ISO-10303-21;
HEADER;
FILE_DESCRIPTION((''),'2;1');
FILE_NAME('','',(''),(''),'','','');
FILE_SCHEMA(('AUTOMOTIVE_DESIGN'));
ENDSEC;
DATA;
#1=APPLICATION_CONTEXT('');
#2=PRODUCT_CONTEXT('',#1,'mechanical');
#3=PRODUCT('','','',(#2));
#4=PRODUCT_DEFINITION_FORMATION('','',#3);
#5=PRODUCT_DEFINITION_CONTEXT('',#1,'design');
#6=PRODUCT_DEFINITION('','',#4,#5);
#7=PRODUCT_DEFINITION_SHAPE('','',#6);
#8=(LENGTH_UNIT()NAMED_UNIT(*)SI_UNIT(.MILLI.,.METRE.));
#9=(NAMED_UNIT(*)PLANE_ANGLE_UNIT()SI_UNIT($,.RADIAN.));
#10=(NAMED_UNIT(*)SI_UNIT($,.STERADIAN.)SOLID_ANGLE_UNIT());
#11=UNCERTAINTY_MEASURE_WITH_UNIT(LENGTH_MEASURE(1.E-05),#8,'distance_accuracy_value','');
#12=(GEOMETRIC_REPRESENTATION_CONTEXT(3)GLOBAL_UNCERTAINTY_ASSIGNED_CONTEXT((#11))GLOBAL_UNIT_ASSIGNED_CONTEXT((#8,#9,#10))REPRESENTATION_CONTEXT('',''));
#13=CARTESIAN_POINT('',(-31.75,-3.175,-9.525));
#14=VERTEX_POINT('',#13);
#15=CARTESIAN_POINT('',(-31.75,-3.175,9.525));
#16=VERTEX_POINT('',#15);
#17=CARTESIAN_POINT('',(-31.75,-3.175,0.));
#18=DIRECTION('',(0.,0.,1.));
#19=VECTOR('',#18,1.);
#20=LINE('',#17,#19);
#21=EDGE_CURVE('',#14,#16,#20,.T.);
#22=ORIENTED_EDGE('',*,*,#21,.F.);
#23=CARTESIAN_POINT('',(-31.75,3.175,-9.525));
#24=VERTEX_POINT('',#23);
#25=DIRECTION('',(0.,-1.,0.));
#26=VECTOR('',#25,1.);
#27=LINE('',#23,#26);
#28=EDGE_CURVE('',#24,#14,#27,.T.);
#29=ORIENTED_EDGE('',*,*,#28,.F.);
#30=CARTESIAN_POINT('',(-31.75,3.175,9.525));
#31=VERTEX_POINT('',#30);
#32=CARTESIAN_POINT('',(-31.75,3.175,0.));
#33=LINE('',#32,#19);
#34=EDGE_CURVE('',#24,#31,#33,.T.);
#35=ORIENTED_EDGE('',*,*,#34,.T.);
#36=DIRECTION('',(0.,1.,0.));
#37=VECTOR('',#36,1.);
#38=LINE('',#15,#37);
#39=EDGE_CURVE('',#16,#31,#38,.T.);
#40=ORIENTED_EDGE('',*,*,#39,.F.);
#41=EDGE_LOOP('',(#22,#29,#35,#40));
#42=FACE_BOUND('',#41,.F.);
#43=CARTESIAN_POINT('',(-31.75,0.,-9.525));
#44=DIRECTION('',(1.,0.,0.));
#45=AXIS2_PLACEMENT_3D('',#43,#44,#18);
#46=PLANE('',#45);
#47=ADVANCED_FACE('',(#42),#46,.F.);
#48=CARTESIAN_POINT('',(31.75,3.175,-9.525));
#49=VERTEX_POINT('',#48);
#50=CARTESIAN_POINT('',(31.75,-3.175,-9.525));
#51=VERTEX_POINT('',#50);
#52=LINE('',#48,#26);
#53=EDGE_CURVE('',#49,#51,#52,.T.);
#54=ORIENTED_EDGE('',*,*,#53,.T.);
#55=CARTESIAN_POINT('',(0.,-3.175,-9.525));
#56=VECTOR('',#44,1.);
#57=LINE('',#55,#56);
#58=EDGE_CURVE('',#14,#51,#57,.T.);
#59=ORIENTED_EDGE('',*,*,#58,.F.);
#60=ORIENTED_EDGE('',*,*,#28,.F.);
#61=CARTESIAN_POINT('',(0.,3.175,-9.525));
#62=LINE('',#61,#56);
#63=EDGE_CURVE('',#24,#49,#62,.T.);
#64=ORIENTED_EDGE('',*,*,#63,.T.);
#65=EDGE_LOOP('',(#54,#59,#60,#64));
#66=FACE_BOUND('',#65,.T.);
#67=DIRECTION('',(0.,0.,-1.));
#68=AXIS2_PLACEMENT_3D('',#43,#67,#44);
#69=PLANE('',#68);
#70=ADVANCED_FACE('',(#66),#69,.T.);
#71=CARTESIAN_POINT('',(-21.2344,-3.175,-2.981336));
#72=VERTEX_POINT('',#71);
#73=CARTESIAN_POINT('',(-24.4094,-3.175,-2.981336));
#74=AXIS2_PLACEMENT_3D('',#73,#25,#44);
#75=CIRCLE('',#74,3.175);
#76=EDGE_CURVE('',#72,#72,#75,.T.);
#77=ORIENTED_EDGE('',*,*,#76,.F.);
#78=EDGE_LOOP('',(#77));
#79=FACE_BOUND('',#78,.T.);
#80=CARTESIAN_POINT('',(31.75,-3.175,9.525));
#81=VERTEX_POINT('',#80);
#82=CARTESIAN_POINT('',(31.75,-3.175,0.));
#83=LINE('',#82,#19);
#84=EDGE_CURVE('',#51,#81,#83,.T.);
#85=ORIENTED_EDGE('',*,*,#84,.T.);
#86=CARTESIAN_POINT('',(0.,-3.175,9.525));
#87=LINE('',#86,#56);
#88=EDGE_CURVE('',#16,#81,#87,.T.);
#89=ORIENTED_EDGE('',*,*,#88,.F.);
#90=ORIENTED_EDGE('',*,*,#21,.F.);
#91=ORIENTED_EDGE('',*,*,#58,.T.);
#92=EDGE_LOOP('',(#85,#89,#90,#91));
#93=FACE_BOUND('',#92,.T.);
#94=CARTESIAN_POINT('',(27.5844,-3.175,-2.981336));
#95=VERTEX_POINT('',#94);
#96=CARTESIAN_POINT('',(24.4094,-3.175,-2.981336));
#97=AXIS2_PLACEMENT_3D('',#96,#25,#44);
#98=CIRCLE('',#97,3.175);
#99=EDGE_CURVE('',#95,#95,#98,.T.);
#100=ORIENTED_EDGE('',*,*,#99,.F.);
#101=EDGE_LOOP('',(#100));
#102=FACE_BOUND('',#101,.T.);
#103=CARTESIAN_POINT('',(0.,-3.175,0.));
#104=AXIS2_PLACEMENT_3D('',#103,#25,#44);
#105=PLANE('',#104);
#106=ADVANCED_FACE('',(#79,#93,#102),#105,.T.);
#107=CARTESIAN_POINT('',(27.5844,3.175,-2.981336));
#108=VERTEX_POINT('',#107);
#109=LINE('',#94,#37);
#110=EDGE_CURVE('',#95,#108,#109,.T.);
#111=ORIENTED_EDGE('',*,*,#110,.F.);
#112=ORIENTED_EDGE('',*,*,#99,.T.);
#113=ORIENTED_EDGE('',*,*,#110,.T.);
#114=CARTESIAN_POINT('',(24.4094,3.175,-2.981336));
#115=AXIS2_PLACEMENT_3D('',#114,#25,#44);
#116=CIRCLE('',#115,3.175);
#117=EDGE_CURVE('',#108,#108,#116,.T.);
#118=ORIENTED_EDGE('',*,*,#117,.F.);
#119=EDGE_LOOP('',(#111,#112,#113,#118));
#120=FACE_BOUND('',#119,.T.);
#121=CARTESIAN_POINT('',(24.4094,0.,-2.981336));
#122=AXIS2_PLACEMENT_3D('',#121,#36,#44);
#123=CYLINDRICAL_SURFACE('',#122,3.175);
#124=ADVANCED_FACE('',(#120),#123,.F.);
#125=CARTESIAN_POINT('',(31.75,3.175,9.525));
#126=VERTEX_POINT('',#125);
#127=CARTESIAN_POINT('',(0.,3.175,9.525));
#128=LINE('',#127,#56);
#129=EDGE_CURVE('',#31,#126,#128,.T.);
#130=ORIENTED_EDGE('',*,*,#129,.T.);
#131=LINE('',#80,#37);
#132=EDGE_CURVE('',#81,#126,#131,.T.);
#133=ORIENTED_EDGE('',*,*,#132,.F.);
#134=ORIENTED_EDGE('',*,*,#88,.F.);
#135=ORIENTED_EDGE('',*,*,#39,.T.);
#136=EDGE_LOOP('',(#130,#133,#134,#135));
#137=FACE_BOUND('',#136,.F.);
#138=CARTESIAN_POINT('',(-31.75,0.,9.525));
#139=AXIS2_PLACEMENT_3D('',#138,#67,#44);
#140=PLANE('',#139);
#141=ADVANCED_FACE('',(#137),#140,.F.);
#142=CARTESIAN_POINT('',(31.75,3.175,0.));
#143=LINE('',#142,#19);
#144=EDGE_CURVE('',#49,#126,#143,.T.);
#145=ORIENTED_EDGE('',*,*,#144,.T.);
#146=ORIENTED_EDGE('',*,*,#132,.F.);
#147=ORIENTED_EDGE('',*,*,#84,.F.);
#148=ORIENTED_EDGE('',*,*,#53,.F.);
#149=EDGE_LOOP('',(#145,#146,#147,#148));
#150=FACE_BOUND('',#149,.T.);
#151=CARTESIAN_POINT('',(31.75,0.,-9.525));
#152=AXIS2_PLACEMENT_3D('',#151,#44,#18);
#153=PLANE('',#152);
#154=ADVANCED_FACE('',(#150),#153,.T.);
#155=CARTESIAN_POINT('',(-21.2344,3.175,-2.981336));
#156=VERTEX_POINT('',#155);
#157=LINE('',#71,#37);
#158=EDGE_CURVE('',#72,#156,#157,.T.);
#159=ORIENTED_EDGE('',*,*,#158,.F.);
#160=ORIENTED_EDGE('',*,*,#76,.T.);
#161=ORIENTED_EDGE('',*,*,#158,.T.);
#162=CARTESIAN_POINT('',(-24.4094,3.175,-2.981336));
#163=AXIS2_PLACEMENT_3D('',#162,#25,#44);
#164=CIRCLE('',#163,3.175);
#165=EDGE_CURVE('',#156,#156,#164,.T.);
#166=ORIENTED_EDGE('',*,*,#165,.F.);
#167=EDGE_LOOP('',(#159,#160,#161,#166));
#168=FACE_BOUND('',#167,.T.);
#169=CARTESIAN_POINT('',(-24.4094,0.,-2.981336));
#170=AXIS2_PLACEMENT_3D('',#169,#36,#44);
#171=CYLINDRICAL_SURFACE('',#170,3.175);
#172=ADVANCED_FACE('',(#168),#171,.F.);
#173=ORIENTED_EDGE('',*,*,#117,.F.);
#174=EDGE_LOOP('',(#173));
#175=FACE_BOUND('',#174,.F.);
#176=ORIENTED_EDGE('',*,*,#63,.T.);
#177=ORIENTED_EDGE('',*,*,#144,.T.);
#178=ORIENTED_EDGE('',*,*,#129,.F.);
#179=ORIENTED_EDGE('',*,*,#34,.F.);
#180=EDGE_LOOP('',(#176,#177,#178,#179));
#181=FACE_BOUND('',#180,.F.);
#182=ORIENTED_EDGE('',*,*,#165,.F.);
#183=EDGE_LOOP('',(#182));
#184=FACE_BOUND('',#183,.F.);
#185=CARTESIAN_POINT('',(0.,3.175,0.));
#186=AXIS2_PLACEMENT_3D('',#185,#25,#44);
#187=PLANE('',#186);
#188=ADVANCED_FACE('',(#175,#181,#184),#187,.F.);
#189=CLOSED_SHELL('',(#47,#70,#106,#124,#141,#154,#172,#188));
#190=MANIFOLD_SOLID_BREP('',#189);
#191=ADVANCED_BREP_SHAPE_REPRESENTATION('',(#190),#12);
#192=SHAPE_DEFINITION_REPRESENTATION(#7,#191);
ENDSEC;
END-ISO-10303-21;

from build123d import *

# Parameters (mm, degrees)
F0_W     = 63.5
F0_H     = 19.05
F0_R     = 3.175
F1_DEPTH = 3.175


with BuildPart() as f1:
    # F0 (on Front) → F1 (new body, symmetric)
    with BuildSketch(Plane.XZ):
        Rectangle(F0_W, F0_H)
        with Locations((-24.4094, -2.981336)):
            Circle(F0_R, mode=Mode.SUBTRACT)
        with Locations((24.4094, -2.981336)):
            Circle(F0_R, mode=Mode.SUBTRACT)
    extrude(amount=F1_DEPTH, both=True)


solid = f1.part
